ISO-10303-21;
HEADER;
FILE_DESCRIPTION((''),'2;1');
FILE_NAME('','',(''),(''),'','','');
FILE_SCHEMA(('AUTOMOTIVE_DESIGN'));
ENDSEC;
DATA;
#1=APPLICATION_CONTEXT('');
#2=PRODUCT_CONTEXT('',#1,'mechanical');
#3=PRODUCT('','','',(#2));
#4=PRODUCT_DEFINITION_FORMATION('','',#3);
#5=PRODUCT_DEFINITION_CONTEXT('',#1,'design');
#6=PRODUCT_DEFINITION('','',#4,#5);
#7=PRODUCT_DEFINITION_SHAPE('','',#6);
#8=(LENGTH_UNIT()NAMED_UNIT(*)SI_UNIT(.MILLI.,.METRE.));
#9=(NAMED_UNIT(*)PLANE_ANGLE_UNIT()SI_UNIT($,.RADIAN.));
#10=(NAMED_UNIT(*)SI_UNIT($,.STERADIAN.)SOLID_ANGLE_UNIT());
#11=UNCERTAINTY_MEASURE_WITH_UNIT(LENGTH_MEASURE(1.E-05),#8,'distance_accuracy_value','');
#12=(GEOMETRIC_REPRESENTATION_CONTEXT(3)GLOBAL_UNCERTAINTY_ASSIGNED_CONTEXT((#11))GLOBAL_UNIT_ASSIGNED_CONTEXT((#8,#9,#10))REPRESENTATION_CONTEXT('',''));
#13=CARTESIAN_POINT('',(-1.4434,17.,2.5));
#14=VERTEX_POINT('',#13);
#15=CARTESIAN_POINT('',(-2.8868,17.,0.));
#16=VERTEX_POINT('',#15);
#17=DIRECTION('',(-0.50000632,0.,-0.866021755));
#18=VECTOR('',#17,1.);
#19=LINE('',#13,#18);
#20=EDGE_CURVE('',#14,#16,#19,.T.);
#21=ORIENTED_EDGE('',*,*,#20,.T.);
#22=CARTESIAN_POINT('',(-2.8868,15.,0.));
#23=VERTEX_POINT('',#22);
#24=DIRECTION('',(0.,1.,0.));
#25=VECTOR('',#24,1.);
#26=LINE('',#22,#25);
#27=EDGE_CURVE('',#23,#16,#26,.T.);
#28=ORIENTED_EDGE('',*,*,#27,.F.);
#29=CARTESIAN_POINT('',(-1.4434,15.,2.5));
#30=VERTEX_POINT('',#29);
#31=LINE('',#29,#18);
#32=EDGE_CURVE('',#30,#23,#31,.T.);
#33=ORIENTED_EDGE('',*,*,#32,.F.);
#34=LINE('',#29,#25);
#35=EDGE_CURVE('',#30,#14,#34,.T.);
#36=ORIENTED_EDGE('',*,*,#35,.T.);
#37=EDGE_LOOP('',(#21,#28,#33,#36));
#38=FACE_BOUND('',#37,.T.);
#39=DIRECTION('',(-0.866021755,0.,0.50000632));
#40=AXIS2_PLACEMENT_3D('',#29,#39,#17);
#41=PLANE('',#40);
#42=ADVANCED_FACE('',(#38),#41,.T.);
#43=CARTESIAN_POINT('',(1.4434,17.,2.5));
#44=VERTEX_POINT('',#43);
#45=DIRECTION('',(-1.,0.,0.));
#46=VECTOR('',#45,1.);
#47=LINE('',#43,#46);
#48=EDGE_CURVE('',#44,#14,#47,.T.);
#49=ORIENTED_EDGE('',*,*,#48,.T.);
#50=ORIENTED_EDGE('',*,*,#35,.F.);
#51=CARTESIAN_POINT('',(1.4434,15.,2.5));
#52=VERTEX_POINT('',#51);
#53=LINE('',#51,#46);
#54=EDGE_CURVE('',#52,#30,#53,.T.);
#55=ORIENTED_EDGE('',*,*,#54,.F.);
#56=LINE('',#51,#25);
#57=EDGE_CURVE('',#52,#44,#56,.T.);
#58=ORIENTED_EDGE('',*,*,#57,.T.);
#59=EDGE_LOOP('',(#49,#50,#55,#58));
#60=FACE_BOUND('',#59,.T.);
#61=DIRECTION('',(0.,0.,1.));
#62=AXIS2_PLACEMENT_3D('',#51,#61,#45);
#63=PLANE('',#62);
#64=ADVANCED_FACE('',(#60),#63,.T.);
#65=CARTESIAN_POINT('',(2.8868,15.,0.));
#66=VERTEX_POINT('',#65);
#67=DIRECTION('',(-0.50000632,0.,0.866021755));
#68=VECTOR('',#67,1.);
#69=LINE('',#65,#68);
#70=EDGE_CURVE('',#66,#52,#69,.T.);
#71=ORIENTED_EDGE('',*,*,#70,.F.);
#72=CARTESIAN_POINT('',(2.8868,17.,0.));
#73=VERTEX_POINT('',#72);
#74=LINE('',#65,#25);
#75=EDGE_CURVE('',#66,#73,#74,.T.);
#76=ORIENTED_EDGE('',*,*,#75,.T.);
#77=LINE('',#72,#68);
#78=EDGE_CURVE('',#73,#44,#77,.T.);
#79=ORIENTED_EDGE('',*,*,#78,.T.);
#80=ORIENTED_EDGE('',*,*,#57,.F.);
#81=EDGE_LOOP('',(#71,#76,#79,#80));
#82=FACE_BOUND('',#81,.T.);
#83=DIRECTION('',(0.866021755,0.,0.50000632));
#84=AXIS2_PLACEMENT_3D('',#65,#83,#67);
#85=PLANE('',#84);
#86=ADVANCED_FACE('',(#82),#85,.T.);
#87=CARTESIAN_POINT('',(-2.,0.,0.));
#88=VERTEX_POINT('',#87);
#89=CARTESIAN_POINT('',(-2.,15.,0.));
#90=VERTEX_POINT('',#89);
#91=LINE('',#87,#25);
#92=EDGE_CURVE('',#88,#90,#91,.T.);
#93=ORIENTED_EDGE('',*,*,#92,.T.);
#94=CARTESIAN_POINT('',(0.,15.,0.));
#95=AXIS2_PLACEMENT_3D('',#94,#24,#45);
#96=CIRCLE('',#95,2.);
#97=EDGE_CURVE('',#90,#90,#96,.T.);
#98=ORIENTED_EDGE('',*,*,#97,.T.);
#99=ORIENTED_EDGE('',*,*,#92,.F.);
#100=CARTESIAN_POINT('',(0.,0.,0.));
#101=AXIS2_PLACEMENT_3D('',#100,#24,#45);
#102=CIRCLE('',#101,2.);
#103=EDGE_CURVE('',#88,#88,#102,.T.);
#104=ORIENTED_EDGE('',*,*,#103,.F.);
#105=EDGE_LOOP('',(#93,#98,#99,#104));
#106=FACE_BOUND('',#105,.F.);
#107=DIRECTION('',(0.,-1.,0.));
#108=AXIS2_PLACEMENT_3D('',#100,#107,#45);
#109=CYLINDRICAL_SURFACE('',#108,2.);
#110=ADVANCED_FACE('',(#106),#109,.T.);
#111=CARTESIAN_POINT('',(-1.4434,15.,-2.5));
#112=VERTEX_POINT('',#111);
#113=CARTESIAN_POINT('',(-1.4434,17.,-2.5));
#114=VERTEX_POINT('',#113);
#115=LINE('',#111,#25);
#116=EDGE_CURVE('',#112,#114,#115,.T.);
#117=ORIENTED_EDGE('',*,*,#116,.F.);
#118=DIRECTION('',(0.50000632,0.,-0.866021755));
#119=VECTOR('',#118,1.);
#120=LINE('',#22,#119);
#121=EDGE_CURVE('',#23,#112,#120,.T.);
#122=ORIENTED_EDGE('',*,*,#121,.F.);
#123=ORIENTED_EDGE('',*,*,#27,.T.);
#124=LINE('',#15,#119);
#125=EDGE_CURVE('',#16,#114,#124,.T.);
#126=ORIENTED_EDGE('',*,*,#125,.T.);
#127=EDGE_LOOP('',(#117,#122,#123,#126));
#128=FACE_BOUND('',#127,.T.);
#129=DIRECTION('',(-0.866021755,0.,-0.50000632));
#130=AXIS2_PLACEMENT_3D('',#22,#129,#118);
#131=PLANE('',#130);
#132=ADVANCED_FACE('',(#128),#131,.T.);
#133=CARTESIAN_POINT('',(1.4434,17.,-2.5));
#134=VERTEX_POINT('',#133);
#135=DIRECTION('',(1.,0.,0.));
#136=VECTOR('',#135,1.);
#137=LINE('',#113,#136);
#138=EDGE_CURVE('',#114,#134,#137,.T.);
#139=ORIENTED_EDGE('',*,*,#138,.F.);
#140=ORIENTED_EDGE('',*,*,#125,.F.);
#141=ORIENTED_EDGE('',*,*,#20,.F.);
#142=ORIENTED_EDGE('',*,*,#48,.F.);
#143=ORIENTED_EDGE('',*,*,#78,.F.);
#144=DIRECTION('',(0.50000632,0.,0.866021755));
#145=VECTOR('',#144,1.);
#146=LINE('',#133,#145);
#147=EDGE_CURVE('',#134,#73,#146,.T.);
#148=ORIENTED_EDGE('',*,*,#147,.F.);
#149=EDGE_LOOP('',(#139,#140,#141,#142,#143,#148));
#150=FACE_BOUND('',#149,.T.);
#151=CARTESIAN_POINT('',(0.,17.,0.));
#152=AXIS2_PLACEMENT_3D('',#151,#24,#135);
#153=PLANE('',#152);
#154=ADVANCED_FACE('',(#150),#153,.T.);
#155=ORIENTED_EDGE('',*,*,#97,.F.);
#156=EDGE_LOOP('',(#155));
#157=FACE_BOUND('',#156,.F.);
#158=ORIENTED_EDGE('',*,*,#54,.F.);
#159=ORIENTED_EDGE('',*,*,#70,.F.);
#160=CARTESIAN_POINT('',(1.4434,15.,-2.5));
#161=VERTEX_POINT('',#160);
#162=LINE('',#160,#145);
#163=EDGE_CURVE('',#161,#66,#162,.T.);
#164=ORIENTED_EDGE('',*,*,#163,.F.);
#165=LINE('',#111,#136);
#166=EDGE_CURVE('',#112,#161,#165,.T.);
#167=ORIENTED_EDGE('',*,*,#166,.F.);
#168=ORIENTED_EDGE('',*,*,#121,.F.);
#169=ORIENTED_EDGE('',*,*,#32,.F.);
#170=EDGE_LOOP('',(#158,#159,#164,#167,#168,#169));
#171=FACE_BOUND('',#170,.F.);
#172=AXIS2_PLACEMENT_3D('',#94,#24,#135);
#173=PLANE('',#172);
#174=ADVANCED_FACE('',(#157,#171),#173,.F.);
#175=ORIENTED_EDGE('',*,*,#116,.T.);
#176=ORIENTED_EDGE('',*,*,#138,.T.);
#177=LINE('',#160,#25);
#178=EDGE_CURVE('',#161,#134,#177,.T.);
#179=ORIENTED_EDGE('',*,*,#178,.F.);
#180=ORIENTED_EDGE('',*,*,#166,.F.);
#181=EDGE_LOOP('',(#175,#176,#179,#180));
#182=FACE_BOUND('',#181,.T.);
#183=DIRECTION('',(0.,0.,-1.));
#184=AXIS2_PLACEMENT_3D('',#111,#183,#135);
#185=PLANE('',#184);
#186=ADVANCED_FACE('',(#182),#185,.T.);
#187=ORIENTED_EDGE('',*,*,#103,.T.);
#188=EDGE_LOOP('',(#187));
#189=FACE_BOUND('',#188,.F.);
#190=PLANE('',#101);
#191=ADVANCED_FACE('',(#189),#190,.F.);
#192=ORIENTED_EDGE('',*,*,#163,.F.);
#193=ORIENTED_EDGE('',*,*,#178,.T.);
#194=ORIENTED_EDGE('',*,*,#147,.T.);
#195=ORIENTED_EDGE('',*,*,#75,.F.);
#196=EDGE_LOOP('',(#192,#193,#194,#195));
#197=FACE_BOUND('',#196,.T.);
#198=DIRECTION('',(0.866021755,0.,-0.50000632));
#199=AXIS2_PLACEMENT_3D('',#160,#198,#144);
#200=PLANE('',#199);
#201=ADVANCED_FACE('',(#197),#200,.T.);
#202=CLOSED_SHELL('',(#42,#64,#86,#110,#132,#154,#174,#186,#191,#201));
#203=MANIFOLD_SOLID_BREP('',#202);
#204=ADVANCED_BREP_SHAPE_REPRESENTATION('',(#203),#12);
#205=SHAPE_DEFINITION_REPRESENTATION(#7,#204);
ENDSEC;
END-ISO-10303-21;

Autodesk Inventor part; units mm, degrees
ref_plane "YZ Plane" through (0, 0, 0) normal (1, 0, 0) x (0, 1, 0)
ref_plane "XZ Plane" through (0, 0, 0) normal (0, 1, 0) x (-1, 0, 0)
ref_plane "XY Plane" through (0, 0, 0) normal (0, 0, 1) x (1, 0, 0)
sketch "Sketch1" plane through (0, 0, 0) normal (0, 1, 0) x (-1, 0, 0)
  circle A0 centre (0, 0) radius 2
  dimension "d0" = 4
extrude "Extrusion1" add sketch "Sketch1" along normal blind 15
sketch "Sketch2" plane through (0, 15, 0) normal (0, 1, 0) x (1, 0, 0)
  line L0 (-1.4434, -2.5) -> (-2.8868, 0)
  line L1 (-2.8868, 0) -> (-1.4434, 2.5)
  line L2 (-1.4434, 2.5) -> (1.4434, 2.5)
  line L3 (1.4434, 2.5) -> (2.8868, 0)
  line L4 (2.8868, 0) -> (1.4434, -2.5)
  line L5 (1.4434, -2.5) -> (-1.4434, -2.5)
  point P0 (0, 0)
  point P1 (0, 0)
  dimension "d3" = 5
extrude "Extrusion2" add sketch "Sketch2" along normal blind 2
properties part number "trail 13"
